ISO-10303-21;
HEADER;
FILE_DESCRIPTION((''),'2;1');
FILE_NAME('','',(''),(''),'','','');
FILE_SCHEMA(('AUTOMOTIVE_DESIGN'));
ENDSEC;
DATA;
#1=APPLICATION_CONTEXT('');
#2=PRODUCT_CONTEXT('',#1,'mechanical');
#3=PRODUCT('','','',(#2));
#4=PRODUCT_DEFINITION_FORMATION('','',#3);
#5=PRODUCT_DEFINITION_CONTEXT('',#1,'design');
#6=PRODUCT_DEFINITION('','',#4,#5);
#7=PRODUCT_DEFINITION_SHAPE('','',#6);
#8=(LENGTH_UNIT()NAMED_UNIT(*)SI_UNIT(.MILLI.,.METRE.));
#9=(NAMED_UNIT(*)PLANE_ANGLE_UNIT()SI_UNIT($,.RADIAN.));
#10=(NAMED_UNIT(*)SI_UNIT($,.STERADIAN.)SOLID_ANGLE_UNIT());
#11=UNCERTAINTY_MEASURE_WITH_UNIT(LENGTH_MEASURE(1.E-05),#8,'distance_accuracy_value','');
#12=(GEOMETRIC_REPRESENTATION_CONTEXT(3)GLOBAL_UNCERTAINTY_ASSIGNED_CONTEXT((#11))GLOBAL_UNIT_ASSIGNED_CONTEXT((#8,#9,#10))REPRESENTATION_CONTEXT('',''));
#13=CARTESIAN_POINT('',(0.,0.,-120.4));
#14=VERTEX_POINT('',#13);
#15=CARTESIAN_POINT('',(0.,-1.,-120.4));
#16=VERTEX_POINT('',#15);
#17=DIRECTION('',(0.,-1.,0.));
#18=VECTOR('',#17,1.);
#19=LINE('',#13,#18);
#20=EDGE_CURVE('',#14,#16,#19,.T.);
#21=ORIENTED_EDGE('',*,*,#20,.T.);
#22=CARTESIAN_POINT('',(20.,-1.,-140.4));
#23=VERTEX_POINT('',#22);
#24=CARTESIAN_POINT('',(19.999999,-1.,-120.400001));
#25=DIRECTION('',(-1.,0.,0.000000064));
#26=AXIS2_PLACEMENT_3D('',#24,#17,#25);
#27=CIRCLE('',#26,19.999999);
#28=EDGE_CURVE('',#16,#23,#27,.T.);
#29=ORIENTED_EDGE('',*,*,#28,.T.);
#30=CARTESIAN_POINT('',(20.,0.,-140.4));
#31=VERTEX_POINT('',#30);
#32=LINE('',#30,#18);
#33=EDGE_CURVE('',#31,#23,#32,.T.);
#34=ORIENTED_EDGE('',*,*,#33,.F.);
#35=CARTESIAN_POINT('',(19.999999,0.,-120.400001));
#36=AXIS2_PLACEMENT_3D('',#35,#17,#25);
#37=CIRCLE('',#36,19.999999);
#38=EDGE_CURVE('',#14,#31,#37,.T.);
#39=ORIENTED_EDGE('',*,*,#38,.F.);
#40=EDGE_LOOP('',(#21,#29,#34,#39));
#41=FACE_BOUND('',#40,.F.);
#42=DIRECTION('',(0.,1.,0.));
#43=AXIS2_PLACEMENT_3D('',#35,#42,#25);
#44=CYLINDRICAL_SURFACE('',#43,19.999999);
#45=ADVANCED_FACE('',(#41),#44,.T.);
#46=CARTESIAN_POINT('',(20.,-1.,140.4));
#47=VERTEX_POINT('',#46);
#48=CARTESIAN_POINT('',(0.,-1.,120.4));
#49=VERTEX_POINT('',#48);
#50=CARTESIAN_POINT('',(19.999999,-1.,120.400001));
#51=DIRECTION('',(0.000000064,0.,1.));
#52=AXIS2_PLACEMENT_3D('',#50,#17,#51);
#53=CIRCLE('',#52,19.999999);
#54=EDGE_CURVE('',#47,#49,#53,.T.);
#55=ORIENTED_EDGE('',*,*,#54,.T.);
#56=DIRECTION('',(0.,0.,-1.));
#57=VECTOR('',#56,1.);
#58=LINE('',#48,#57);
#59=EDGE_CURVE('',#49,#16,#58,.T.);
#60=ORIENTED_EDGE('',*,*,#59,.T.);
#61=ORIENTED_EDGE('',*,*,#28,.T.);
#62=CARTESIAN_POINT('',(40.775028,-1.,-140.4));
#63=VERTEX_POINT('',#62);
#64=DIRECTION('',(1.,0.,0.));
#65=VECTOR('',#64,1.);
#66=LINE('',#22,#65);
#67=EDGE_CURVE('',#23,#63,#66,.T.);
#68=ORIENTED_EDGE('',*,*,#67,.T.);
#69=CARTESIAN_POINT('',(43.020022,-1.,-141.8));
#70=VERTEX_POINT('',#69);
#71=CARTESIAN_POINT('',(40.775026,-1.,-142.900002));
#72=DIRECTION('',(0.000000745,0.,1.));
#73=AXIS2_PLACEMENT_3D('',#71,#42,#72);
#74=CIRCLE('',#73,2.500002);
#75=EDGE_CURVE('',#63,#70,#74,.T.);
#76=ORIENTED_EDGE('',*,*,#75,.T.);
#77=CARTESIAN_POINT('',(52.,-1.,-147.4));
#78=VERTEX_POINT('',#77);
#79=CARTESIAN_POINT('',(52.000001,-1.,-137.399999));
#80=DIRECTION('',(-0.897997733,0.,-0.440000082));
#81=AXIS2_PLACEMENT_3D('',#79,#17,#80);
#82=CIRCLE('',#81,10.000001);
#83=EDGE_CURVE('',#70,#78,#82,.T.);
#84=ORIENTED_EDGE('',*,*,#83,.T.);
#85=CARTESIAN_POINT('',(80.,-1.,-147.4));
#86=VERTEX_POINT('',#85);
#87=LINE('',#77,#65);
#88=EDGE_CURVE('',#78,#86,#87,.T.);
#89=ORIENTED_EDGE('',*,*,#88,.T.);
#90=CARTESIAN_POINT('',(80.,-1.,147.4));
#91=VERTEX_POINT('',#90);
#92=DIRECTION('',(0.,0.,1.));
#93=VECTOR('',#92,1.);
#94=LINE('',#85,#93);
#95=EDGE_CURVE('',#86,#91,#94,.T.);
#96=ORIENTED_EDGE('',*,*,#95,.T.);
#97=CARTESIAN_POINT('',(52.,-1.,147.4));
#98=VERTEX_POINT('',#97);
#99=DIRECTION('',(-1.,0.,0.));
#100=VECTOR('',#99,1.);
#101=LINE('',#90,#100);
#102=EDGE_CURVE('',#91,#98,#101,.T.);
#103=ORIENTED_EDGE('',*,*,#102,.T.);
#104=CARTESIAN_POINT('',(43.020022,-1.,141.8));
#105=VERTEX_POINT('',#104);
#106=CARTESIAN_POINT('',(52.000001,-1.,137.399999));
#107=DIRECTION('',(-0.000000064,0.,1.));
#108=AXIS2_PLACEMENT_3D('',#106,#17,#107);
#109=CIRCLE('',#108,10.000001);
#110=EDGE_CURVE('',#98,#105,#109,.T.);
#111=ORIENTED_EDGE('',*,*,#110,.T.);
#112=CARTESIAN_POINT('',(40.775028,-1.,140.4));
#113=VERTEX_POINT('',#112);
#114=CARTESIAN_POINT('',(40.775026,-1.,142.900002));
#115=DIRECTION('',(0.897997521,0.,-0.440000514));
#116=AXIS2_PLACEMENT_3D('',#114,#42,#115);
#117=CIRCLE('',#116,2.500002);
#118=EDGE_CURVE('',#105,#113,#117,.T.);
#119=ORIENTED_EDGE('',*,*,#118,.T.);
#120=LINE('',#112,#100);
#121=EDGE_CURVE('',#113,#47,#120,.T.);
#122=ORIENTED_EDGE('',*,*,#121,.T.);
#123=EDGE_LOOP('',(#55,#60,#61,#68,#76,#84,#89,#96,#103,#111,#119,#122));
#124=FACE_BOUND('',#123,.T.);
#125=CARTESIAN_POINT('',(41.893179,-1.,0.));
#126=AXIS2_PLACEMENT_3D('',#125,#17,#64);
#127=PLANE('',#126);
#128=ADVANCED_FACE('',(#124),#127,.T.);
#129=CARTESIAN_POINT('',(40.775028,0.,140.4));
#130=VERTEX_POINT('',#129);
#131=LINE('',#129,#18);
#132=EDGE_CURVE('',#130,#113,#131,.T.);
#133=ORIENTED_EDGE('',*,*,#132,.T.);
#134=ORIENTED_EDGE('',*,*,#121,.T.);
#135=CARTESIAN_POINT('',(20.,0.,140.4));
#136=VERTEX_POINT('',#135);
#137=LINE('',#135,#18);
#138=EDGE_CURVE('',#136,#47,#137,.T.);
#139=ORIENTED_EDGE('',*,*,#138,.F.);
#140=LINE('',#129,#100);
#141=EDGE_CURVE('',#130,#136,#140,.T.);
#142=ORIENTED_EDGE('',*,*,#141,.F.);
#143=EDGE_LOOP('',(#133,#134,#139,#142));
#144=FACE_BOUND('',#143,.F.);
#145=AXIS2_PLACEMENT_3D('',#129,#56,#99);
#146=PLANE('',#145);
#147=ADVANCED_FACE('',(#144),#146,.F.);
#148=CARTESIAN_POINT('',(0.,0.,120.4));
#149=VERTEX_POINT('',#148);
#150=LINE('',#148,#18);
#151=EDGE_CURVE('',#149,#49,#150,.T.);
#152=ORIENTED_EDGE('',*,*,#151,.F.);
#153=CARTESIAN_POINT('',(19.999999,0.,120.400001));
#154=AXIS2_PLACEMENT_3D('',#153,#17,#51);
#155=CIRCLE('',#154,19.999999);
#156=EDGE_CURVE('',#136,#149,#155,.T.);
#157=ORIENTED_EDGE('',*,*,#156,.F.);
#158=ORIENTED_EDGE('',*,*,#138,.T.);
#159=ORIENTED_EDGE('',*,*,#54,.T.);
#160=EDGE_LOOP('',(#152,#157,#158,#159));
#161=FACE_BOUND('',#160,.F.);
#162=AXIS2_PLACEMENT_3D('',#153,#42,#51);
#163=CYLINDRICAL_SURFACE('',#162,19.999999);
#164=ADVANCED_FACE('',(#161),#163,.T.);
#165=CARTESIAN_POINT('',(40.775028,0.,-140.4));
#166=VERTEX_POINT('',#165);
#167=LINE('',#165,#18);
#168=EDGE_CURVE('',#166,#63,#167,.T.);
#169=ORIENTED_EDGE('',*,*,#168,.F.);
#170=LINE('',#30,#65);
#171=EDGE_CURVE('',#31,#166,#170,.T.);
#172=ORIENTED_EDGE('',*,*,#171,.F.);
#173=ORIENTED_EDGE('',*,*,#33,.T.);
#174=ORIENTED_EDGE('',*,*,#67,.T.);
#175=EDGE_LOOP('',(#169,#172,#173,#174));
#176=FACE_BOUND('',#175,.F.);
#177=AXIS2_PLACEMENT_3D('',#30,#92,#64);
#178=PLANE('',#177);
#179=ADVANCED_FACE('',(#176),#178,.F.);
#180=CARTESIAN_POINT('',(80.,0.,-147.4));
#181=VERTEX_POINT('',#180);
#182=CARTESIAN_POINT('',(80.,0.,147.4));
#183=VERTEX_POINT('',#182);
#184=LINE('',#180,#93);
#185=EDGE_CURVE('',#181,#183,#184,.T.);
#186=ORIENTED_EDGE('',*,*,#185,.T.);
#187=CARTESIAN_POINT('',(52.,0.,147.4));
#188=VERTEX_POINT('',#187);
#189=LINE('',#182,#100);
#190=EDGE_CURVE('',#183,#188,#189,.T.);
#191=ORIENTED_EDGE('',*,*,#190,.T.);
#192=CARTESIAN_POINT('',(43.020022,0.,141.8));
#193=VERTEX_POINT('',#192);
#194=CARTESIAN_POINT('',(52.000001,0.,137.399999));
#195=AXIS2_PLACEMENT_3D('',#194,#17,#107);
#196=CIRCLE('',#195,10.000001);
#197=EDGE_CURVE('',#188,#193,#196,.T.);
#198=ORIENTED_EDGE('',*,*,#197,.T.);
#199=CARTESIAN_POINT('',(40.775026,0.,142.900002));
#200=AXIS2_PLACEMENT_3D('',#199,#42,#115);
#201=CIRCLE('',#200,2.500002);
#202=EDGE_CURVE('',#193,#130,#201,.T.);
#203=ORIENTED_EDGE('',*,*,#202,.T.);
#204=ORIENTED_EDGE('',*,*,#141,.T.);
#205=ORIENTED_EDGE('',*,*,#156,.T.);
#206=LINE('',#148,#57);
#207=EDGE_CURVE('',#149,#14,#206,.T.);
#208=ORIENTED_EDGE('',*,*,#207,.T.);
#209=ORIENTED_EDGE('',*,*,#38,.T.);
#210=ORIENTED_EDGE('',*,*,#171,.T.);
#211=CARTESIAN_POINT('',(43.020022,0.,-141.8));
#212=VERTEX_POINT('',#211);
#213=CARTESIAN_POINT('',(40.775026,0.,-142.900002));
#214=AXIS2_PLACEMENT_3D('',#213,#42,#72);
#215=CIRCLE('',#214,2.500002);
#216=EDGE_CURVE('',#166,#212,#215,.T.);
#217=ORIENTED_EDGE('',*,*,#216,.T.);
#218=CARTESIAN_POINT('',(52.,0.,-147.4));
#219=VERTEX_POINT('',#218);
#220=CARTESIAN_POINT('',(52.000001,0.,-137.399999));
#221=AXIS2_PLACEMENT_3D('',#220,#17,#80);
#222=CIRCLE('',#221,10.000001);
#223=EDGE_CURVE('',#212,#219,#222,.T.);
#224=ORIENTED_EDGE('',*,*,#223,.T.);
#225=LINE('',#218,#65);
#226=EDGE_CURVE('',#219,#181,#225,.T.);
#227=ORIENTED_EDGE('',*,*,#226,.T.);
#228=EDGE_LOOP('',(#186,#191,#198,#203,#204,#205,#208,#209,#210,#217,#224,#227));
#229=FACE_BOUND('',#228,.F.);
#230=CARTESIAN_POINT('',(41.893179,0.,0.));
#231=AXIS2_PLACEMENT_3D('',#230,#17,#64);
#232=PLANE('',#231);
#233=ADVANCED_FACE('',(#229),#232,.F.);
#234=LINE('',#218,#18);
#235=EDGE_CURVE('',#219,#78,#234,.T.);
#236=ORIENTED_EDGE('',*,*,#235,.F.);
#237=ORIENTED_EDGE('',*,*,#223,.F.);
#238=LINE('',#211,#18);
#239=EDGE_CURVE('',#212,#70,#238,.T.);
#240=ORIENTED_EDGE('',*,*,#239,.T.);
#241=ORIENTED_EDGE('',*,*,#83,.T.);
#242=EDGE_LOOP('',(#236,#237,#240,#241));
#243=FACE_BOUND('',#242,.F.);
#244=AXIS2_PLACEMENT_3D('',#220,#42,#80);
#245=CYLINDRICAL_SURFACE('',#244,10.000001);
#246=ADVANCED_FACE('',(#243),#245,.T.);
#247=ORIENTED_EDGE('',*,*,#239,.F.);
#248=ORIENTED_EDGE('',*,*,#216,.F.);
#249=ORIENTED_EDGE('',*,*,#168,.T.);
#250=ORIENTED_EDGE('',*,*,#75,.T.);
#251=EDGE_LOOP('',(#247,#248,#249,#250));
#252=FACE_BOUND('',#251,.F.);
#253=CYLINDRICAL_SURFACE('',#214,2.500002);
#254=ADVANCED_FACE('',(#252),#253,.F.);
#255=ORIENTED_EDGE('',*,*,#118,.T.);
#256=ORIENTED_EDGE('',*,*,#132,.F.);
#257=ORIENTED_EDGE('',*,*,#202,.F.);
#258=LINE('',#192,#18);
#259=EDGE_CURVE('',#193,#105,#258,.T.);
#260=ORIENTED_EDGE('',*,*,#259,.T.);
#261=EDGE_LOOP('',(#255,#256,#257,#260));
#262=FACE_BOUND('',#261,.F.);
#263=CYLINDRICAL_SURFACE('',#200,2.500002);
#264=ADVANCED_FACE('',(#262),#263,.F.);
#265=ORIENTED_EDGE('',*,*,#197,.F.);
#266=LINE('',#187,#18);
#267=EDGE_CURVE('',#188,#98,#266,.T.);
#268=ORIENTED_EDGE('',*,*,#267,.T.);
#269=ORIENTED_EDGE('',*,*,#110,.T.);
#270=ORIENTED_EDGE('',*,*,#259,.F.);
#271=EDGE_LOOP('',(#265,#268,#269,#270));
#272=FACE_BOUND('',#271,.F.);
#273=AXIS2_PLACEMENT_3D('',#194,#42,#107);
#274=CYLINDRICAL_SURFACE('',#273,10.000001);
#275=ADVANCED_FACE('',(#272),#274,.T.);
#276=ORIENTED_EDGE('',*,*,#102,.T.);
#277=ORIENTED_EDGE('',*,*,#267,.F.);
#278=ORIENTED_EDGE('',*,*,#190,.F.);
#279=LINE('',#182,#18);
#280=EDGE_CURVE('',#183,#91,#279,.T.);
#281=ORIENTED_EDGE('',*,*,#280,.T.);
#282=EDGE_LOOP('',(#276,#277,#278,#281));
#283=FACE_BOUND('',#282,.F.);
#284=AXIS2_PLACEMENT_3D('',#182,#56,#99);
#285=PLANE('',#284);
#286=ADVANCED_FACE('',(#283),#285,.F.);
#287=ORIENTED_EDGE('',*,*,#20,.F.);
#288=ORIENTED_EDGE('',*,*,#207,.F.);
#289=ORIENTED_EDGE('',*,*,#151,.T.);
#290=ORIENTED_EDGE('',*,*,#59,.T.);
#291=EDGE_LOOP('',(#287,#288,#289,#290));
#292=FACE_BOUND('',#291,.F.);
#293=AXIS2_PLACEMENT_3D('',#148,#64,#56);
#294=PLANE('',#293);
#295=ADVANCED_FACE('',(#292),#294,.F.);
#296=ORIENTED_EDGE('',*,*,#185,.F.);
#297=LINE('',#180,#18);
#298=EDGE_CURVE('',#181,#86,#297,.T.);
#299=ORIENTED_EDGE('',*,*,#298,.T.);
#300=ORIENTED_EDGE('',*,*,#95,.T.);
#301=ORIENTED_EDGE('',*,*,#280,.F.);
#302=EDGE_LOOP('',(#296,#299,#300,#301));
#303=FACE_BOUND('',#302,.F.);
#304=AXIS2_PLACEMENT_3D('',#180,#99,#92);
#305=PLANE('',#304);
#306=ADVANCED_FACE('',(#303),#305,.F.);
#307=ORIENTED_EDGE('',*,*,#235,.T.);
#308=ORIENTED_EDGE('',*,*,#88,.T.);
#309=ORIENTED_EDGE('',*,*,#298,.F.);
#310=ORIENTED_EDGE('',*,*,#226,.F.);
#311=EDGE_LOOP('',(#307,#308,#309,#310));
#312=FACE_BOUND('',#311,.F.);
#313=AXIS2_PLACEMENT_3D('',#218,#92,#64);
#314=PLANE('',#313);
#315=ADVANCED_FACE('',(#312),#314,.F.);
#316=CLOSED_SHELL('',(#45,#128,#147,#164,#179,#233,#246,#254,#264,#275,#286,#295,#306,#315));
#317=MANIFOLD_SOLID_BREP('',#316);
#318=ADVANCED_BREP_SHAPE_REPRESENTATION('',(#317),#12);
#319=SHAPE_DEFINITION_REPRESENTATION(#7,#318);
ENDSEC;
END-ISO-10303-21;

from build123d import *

# Parameters (mm, degrees)
F1_DEPTH = 1


with BuildPart() as f1:
    # F0 (on Front) → F1 (new body)
    with BuildSketch(Plane.XZ):
        with BuildLine():
            Line((0, 120.4), (0, 0))
            Line((0, 0), (0, -120.4))
            ThreePointArc((0, -120.4), (5.857864, -134.542136), (20, -140.4))
            Line((20, -140.4), (40.775028, -140.4))
            ThreePointArc((40.775028, -140.4), (42.097903, -140.77868), (43.020022, -141.8))
            ThreePointArc((43.020022, -141.8), (46.708497, -145.885281), (52, -147.4))
            Line((52, -147.4), (80, -147.4))
            Line((80, -147.4), (80, 0))
            Line((80, 0), (80, 147.4))
            Line((80, 147.4), (52, 147.4))
            ThreePointArc((52, 147.4), (46.708497, 145.885281), (43.020022, 141.8))
            ThreePointArc((43.020022, 141.8), (42.097903, 140.77868), (40.775028, 140.4))
            Line((40.775028, 140.4), (20, 140.4))
            ThreePointArc((20, 140.4), (5.857864, 134.542136), (0, 120.4))
        make_face()
    extrude(amount=F1_DEPTH)


solid = f1.part
